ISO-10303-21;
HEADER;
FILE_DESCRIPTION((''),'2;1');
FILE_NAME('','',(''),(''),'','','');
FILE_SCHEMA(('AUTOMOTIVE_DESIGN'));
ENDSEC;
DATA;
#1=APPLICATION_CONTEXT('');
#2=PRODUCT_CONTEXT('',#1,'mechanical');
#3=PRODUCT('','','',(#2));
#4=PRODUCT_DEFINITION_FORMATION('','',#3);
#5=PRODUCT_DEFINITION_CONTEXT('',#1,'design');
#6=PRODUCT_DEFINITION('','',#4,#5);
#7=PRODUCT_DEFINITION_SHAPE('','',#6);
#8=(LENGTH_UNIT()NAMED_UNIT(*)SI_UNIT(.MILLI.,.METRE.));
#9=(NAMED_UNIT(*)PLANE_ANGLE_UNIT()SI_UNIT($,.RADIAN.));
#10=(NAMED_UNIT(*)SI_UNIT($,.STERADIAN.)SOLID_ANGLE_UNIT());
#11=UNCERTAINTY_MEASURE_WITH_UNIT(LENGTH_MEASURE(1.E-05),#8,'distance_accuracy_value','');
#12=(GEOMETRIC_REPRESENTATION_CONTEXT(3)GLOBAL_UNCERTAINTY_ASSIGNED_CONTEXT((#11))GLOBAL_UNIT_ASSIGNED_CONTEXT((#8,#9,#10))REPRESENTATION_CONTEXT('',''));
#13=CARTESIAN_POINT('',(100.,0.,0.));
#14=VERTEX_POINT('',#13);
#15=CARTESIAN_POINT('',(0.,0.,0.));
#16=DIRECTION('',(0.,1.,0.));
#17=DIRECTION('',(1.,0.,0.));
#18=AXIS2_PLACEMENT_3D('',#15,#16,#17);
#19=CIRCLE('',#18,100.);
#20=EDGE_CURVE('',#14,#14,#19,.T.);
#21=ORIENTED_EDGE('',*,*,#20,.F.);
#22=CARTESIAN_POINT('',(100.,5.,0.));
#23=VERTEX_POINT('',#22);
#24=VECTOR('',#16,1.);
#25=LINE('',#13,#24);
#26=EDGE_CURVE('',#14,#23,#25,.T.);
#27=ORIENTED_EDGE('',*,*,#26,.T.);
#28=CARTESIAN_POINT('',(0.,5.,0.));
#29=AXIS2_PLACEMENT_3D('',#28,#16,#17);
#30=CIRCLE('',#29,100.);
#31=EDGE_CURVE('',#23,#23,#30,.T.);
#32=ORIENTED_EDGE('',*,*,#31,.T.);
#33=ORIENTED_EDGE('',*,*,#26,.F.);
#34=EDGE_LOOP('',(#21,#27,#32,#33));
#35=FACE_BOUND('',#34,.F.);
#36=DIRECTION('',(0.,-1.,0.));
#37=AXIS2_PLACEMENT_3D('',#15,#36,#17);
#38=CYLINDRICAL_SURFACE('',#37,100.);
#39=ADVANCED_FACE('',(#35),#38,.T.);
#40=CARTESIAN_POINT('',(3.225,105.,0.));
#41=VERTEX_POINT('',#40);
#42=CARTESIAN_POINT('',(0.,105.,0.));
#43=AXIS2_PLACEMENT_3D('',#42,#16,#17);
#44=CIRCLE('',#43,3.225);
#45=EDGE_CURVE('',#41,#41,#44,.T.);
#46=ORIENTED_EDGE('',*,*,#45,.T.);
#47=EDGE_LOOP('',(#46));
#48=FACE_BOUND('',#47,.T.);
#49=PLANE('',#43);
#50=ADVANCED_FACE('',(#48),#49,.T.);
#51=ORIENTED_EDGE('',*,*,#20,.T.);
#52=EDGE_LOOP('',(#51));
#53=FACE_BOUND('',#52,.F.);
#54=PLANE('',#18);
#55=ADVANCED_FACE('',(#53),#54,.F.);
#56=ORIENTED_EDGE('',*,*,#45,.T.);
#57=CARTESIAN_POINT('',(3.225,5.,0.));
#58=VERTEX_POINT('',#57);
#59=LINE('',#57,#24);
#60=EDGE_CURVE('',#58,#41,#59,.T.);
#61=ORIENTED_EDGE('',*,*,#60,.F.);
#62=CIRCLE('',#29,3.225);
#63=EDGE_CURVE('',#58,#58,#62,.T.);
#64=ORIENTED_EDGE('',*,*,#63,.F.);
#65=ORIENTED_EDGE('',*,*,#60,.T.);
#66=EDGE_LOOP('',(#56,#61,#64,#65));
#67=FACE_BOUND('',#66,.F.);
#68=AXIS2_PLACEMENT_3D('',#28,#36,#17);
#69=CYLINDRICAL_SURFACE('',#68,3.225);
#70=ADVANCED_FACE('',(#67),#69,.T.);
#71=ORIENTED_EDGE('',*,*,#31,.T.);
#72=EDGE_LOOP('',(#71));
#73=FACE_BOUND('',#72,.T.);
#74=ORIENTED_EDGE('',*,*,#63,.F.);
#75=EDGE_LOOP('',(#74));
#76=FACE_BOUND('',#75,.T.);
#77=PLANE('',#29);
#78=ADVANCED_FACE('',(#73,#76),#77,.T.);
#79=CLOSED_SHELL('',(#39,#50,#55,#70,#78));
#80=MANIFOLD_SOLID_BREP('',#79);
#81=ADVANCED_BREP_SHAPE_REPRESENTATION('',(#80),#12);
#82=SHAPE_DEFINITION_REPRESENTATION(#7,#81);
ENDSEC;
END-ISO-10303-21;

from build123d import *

# Parameters (mm, degrees)
SKETCH3_R           = 100
BOSS_EXTRUDE2_DEPTH = 5
SKETCH4_R           = 3.225
BOSS_EXTRUDE3_DEPTH = 100


with BuildPart() as part:
    # Sketch3 → Boss-Extrude2 (new body)
    with BuildSketch(Plane(origin=(0, 0, 0), x_dir=(1, 0, 0), z_dir=(0, 1, 0))):
        Circle(SKETCH3_R)
    extrude(amount=BOSS_EXTRUDE2_DEPTH)

    # Sketch4 → Boss-Extrude3 (add)
    with BuildSketch(Plane(origin=(0, 5, 0), x_dir=(1, 0, 0), z_dir=(0, 1, 0))):
        Circle(SKETCH4_R)
    extrude(amount=BOSS_EXTRUDE3_DEPTH)


solid = part.part
